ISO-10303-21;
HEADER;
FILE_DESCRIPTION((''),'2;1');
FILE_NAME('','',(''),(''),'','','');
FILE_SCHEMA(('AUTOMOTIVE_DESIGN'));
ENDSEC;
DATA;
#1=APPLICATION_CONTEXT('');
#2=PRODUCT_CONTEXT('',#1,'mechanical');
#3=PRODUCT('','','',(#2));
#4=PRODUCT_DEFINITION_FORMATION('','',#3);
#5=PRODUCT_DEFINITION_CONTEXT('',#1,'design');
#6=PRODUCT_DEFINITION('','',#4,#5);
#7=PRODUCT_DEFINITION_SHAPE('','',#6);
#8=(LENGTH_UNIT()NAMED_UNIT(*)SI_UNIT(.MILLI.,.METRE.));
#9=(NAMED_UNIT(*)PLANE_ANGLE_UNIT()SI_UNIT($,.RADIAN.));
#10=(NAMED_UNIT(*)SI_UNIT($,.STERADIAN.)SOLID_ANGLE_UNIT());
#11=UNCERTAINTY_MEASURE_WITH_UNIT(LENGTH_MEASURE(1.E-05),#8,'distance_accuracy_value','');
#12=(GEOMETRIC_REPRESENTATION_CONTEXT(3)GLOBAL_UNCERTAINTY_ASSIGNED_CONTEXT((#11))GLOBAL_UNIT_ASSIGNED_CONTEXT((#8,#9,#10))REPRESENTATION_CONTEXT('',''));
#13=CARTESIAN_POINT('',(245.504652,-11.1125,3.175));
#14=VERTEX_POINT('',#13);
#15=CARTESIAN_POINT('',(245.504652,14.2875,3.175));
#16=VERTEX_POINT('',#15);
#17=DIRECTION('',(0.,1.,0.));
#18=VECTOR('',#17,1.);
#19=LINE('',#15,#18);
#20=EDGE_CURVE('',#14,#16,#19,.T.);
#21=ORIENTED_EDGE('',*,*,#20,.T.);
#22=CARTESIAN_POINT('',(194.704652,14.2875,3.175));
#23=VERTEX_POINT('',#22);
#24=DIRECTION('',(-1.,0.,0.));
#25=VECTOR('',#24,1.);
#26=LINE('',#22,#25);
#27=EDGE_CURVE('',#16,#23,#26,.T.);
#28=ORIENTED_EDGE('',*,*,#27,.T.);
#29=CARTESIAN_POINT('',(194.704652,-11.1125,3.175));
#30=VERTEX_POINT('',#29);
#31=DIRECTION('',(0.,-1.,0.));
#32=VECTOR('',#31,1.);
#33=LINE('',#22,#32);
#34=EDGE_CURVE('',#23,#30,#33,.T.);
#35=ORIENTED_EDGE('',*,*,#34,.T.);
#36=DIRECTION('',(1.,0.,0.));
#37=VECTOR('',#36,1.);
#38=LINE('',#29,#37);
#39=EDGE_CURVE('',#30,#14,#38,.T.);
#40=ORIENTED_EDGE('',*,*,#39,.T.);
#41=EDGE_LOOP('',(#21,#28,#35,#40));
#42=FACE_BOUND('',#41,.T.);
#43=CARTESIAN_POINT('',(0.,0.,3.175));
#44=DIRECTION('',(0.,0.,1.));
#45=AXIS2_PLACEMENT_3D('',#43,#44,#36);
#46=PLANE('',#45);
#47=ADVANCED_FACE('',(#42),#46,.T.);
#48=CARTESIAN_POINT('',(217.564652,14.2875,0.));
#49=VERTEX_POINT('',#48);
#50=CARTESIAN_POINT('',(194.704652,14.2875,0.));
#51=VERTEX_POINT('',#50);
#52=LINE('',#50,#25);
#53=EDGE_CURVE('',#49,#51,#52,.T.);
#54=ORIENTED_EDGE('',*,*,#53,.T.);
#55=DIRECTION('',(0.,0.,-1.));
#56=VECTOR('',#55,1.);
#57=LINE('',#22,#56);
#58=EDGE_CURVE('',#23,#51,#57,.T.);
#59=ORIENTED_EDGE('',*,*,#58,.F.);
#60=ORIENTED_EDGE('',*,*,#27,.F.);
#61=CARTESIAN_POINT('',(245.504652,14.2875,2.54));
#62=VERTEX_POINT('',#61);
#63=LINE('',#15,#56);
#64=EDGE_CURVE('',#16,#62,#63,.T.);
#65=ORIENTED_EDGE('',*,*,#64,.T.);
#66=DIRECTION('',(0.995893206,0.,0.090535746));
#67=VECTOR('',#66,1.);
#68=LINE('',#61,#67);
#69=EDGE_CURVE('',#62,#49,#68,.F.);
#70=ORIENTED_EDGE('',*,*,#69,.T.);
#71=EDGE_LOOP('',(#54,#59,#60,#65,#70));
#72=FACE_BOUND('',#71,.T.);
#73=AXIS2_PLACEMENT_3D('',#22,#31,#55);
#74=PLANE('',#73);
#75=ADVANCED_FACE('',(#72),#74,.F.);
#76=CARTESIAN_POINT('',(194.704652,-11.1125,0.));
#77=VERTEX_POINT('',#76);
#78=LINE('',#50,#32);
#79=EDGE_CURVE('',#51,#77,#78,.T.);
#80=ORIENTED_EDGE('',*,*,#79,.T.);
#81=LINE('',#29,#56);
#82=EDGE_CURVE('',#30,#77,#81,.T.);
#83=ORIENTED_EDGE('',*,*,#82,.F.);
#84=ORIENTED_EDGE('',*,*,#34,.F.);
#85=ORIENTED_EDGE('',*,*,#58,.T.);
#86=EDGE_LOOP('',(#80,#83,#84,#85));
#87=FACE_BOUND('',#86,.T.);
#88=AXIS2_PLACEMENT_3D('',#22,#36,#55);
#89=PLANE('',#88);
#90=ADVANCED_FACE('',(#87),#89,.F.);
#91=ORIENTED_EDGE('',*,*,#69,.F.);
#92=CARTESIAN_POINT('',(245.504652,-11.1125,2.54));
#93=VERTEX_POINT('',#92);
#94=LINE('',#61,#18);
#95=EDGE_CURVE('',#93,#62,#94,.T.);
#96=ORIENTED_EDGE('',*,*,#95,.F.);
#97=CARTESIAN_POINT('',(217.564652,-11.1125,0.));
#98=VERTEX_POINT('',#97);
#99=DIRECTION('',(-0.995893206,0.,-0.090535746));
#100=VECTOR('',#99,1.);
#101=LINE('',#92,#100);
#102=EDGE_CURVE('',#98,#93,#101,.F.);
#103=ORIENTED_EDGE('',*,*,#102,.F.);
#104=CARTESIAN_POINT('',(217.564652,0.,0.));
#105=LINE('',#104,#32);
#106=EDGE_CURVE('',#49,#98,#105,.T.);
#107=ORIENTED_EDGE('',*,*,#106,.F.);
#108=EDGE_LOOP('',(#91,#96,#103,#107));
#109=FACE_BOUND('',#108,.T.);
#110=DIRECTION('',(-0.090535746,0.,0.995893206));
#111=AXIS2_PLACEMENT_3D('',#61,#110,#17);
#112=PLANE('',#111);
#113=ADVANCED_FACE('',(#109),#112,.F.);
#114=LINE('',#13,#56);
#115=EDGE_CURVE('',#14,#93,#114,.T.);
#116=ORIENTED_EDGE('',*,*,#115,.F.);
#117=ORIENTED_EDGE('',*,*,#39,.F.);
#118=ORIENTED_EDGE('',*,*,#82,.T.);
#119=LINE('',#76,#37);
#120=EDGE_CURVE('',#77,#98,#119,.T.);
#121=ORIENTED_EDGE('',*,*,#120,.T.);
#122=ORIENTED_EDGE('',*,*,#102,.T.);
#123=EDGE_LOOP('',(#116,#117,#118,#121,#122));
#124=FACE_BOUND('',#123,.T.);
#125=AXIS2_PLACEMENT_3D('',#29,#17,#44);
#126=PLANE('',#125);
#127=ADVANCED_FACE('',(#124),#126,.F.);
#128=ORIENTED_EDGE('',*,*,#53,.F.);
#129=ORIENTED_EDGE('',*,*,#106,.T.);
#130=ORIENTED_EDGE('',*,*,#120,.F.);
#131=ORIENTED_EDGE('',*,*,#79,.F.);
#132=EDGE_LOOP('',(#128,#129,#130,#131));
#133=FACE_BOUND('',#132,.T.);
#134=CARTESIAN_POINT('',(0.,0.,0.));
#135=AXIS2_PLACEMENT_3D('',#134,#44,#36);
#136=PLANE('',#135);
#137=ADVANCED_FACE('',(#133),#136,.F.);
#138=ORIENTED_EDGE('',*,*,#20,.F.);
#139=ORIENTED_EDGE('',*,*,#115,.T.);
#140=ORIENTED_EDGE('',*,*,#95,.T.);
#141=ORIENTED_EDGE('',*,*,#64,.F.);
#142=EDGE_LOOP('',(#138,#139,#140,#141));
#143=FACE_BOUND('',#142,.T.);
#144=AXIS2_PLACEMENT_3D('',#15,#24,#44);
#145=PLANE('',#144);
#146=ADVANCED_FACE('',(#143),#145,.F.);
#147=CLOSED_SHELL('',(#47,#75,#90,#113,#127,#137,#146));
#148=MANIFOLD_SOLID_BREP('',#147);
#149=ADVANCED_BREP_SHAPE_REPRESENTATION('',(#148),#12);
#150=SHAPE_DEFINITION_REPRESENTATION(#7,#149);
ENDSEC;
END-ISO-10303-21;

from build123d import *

# Parameters (mm, degrees)
SKETCH2_W           = 50.8
SKETCH2_H           = 25.4
BOSS_EXTRUDE1_DEPTH = 3.175
CHAMFER1_SIZE       = 27.94
CHAMFER1_SIZE2      = 2.54


with BuildPart() as part:
    # Sketch2 → Boss-Extrude1 (new body)
    with BuildSketch(Plane.XY):
        with Locations((220.104652046, 1.5875)):
            Rectangle(SKETCH2_W, SKETCH2_H)
    extrude(amount=BOSS_EXTRUDE1_DEPTH)

    # Chamfer1
    chamfer1_edges = [part.edges().sort_by_distance(p)[0] for p in [
        (245.504652046, 1.5875, 0),
    ]]
    chamfer1_side = [part.faces().sort_by_distance(p)[0] for p in [
        (220.104652046, 1.5875, 0),
    ]]
    chamfer(chamfer1_edges, length=CHAMFER1_SIZE, length2=CHAMFER1_SIZE2, reference=chamfer1_side[0])


solid = part.part
